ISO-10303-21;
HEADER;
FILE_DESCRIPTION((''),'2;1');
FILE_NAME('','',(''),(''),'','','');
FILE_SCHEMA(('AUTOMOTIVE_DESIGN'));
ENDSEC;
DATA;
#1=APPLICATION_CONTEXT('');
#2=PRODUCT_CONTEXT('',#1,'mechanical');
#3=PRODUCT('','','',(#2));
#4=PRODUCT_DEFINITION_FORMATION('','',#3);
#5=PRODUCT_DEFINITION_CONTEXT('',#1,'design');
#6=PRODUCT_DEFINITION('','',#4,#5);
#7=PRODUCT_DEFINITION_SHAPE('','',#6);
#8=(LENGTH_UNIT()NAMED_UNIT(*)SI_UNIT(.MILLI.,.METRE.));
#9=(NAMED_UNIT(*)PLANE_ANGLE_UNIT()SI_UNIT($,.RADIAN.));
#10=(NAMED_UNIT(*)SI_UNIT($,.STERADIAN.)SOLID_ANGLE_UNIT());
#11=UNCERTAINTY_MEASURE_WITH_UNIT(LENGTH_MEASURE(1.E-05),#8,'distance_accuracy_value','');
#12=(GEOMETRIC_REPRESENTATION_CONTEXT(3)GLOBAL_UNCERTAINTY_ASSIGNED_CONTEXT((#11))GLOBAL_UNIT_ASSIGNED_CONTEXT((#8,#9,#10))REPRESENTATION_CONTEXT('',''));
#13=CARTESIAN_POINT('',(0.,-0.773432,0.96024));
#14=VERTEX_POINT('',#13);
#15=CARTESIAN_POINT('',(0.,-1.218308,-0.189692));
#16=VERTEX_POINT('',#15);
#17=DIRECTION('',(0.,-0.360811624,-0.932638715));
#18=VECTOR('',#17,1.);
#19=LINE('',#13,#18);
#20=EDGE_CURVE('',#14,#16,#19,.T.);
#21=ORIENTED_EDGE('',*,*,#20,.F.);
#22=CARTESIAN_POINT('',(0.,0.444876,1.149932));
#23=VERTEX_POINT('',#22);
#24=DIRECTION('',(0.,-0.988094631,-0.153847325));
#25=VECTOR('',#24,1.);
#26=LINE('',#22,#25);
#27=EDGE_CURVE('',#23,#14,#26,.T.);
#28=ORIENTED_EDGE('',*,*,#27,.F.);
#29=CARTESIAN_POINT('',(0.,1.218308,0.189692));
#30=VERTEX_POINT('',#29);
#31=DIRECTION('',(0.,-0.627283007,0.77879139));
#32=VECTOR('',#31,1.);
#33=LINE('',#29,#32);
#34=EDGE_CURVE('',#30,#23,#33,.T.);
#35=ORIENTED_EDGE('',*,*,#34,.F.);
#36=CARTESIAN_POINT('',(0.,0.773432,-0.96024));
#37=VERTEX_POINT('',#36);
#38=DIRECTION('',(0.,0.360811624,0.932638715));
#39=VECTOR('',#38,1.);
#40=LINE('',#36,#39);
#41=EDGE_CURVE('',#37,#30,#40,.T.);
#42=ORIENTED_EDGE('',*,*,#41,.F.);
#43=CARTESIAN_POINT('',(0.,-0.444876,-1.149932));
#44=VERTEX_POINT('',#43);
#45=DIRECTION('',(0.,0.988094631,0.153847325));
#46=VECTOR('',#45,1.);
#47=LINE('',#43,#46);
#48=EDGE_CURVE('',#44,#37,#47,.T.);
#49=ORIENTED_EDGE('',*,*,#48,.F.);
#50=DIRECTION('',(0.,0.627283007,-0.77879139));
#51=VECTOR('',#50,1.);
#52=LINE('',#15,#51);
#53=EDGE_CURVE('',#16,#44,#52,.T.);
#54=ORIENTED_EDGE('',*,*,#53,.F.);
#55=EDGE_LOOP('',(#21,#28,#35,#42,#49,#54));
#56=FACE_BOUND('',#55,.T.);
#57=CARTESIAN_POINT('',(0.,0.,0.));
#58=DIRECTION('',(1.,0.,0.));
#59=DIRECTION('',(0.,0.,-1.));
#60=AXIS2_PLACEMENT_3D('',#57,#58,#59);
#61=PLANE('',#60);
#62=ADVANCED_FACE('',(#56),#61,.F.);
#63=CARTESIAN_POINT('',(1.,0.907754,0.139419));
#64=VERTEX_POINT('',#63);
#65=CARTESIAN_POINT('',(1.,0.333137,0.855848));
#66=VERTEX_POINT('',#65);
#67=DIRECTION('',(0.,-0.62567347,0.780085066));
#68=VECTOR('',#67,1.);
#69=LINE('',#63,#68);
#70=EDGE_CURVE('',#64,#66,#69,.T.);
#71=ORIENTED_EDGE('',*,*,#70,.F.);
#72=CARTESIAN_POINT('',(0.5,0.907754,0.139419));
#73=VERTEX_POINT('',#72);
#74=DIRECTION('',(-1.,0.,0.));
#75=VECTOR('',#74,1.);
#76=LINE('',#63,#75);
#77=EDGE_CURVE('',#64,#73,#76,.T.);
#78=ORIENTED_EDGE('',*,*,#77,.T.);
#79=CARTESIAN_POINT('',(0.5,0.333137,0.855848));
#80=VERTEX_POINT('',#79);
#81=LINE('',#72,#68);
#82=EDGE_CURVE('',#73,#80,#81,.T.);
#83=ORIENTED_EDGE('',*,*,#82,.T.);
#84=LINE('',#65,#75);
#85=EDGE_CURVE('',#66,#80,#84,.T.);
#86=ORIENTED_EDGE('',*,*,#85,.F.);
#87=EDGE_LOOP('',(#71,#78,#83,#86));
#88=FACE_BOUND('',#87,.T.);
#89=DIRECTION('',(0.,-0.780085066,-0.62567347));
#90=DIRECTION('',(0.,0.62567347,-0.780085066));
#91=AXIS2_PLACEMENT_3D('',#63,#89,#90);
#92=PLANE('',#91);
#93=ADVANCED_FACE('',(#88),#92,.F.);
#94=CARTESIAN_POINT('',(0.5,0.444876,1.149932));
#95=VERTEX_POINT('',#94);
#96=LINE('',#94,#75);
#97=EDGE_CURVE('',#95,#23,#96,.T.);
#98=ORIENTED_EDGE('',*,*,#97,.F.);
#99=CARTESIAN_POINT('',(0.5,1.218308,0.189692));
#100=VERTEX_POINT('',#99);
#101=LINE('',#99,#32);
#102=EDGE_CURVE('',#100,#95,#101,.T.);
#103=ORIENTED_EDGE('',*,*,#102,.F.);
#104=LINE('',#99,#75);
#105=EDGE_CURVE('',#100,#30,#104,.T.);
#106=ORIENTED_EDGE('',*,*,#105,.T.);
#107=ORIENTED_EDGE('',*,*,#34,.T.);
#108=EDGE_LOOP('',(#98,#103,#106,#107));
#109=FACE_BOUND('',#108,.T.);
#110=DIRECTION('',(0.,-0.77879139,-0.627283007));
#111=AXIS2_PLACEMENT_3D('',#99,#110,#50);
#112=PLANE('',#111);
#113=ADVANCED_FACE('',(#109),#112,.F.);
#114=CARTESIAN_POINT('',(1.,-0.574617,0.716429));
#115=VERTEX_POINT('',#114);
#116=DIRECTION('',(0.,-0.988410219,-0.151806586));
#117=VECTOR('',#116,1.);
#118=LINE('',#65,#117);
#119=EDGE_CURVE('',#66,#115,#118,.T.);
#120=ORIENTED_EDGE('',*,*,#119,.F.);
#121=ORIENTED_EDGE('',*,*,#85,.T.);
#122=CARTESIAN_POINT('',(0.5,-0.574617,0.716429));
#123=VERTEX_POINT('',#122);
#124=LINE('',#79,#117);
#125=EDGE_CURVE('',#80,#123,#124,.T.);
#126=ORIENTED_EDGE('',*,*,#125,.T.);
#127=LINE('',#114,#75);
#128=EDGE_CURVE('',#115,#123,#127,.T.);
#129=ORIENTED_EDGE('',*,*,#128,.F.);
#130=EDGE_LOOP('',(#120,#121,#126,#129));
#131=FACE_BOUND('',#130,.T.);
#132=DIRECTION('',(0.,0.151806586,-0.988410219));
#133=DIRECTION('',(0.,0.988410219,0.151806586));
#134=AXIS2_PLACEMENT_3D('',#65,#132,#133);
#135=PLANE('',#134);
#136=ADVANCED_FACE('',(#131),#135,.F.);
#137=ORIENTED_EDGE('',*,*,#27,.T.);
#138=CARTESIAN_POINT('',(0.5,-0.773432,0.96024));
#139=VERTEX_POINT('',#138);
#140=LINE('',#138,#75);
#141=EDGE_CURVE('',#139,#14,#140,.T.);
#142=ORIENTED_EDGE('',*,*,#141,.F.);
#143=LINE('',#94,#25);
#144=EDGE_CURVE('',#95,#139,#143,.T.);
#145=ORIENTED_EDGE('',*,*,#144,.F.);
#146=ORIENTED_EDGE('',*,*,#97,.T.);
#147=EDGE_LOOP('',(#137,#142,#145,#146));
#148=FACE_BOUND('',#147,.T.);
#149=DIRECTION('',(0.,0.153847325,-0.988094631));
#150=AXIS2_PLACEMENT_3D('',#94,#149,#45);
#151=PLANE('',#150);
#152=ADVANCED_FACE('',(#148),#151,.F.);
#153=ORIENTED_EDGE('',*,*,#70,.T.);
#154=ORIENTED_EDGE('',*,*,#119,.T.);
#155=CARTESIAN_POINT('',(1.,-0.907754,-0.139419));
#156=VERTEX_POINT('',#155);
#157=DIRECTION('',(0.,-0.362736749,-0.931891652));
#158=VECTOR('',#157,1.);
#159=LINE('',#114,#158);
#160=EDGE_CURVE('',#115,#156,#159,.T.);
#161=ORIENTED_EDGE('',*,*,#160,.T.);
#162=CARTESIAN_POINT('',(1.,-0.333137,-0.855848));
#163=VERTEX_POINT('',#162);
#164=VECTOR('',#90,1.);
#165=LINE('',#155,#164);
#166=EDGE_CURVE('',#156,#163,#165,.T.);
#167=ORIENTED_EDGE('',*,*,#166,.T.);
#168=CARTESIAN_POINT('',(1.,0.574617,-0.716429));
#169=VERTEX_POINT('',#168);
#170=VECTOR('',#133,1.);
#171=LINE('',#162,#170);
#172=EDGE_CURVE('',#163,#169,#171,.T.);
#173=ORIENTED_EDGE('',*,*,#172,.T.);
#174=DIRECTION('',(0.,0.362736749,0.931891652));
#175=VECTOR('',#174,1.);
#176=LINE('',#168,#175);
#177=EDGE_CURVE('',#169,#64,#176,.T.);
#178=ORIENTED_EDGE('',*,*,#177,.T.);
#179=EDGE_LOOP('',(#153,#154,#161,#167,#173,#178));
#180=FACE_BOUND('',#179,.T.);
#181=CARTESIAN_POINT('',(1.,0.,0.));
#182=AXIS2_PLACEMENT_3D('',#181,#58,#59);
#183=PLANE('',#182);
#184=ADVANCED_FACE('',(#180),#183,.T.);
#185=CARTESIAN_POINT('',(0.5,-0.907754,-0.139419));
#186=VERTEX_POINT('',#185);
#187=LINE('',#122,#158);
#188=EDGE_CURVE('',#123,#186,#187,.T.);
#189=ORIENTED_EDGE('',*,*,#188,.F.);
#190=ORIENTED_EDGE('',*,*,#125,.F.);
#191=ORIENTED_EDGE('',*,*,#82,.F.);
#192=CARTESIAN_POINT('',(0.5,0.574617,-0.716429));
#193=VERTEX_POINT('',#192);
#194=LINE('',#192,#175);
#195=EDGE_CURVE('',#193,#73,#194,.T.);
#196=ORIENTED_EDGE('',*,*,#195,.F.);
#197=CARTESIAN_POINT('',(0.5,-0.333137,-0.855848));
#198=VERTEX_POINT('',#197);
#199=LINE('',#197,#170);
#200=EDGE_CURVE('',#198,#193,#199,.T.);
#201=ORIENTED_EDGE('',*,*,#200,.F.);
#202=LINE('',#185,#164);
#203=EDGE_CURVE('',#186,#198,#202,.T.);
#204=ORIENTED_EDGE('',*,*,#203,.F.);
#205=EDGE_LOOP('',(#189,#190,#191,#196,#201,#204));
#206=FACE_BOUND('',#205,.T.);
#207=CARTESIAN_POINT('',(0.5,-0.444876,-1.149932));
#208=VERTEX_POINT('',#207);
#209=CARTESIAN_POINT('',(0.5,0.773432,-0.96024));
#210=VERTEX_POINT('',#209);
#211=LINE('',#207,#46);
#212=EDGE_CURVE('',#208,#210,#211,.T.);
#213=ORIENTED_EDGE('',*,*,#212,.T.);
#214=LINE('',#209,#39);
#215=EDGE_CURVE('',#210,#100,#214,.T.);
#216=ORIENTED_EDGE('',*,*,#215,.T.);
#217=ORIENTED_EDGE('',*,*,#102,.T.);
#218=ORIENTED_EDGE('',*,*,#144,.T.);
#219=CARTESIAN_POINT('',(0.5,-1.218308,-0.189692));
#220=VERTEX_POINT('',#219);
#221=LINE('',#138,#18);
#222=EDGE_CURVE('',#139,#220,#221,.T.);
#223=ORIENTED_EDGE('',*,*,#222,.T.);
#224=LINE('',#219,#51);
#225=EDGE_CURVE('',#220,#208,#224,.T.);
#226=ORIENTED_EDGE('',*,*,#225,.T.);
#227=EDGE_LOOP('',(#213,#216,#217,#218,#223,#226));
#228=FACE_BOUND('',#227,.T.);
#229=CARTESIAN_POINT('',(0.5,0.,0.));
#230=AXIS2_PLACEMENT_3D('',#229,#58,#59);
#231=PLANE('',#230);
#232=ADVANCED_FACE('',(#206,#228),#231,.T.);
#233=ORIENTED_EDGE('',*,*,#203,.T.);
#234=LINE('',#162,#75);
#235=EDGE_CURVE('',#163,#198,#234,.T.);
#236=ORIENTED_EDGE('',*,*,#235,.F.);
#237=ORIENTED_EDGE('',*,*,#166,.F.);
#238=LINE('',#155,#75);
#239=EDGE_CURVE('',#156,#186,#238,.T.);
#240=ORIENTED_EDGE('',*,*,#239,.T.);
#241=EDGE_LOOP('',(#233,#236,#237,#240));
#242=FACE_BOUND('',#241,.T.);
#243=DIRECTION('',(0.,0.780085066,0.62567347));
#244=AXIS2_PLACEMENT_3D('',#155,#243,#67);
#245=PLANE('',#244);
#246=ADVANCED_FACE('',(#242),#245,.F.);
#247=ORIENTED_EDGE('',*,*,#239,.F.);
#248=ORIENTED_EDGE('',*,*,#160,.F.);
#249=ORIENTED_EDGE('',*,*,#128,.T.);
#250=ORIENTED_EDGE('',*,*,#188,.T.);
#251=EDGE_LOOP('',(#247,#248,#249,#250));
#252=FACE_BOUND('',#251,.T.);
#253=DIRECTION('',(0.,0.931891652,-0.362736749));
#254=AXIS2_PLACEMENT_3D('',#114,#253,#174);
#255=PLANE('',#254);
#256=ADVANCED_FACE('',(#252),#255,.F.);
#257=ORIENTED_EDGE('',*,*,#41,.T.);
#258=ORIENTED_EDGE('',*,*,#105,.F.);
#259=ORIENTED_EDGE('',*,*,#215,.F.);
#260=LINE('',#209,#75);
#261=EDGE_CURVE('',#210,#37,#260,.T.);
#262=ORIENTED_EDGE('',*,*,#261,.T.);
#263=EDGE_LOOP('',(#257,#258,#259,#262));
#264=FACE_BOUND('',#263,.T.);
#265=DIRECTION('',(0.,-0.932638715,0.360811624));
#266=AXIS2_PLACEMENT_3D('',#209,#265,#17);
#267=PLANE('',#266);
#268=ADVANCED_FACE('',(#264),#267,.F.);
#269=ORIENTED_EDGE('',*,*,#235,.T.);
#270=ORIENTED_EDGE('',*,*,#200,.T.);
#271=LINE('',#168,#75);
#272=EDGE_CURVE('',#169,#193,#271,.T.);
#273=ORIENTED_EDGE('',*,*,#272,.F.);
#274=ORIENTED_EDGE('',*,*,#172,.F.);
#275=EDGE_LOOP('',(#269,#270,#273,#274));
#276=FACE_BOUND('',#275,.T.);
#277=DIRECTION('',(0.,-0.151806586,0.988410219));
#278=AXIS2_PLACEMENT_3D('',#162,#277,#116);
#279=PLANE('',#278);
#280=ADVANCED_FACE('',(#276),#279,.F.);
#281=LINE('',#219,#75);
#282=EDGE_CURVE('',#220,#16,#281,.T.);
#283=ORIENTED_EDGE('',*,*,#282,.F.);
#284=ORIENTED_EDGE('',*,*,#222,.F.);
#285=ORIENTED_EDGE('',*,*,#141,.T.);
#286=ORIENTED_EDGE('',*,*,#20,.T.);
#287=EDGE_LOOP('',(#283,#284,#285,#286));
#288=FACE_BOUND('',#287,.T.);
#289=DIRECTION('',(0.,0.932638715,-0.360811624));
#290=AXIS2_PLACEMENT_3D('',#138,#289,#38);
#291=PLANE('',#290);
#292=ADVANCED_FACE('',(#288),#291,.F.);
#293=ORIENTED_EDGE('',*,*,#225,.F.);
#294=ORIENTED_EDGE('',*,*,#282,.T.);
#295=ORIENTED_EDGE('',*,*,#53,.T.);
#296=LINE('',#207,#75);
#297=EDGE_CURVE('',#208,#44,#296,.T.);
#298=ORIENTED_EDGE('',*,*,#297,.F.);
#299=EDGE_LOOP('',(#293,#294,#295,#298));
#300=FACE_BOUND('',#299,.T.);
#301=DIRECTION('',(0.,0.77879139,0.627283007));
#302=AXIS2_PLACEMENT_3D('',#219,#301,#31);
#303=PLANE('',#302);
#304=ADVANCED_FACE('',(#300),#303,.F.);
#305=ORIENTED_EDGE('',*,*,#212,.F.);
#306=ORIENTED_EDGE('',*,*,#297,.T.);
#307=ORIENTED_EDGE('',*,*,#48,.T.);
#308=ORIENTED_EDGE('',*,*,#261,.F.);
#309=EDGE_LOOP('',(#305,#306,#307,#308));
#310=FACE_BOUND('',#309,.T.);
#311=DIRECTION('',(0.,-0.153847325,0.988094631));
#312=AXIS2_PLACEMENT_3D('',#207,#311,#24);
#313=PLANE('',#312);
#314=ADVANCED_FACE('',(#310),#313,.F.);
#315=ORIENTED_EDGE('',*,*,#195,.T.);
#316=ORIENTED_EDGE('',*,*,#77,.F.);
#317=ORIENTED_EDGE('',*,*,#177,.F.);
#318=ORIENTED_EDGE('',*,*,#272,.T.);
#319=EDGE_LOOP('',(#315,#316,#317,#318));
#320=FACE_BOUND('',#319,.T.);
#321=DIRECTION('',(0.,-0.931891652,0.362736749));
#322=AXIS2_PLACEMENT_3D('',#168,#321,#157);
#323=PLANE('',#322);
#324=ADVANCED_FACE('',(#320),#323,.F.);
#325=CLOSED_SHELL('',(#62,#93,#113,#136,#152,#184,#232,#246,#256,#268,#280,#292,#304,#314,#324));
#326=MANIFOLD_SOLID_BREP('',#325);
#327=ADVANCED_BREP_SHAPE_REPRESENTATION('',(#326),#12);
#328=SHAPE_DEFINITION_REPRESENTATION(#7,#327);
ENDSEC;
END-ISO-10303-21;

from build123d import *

# Parameters (mm, degrees)
BOSS_EXTRUDE1_DEPTH = 0.5
BOSS_EXTRUDE2_DEPTH = 0.5


with BuildPart() as part:
    # Sketch1 → Boss-Extrude1 (new body)
    with BuildSketch(Plane(origin=(0, 0, 0), x_dir=(0, 0, -1), z_dir=(1, 0, 0))):
        Polygon((0.189691839, -1.218308397), (1.149931941, -0.444876247), (0.960240102, 0.77343215), (-0.189691839, 1.218308397), (-1.149931941, 0.444876247), (-0.960240102, -0.77343215), align=None)
    extrude(amount=BOSS_EXTRUDE1_DEPTH)

    # Sketch2 → Boss-Extrude2 (add)
    with BuildSketch(Plane(origin=(0.5, 0, 0), x_dir=(0, 0, -1), z_dir=(1, 0, 0))):
        Polygon((0.139418895, -0.907754159), (0.855847609, -0.333136775), (0.716428714, 0.574617384), (-0.139418895, 0.907754159), (-0.855847609, 0.333136775), (-0.716428714, -0.574617384), align=None)
    extrude(amount=BOSS_EXTRUDE2_DEPTH)


solid = part.part
